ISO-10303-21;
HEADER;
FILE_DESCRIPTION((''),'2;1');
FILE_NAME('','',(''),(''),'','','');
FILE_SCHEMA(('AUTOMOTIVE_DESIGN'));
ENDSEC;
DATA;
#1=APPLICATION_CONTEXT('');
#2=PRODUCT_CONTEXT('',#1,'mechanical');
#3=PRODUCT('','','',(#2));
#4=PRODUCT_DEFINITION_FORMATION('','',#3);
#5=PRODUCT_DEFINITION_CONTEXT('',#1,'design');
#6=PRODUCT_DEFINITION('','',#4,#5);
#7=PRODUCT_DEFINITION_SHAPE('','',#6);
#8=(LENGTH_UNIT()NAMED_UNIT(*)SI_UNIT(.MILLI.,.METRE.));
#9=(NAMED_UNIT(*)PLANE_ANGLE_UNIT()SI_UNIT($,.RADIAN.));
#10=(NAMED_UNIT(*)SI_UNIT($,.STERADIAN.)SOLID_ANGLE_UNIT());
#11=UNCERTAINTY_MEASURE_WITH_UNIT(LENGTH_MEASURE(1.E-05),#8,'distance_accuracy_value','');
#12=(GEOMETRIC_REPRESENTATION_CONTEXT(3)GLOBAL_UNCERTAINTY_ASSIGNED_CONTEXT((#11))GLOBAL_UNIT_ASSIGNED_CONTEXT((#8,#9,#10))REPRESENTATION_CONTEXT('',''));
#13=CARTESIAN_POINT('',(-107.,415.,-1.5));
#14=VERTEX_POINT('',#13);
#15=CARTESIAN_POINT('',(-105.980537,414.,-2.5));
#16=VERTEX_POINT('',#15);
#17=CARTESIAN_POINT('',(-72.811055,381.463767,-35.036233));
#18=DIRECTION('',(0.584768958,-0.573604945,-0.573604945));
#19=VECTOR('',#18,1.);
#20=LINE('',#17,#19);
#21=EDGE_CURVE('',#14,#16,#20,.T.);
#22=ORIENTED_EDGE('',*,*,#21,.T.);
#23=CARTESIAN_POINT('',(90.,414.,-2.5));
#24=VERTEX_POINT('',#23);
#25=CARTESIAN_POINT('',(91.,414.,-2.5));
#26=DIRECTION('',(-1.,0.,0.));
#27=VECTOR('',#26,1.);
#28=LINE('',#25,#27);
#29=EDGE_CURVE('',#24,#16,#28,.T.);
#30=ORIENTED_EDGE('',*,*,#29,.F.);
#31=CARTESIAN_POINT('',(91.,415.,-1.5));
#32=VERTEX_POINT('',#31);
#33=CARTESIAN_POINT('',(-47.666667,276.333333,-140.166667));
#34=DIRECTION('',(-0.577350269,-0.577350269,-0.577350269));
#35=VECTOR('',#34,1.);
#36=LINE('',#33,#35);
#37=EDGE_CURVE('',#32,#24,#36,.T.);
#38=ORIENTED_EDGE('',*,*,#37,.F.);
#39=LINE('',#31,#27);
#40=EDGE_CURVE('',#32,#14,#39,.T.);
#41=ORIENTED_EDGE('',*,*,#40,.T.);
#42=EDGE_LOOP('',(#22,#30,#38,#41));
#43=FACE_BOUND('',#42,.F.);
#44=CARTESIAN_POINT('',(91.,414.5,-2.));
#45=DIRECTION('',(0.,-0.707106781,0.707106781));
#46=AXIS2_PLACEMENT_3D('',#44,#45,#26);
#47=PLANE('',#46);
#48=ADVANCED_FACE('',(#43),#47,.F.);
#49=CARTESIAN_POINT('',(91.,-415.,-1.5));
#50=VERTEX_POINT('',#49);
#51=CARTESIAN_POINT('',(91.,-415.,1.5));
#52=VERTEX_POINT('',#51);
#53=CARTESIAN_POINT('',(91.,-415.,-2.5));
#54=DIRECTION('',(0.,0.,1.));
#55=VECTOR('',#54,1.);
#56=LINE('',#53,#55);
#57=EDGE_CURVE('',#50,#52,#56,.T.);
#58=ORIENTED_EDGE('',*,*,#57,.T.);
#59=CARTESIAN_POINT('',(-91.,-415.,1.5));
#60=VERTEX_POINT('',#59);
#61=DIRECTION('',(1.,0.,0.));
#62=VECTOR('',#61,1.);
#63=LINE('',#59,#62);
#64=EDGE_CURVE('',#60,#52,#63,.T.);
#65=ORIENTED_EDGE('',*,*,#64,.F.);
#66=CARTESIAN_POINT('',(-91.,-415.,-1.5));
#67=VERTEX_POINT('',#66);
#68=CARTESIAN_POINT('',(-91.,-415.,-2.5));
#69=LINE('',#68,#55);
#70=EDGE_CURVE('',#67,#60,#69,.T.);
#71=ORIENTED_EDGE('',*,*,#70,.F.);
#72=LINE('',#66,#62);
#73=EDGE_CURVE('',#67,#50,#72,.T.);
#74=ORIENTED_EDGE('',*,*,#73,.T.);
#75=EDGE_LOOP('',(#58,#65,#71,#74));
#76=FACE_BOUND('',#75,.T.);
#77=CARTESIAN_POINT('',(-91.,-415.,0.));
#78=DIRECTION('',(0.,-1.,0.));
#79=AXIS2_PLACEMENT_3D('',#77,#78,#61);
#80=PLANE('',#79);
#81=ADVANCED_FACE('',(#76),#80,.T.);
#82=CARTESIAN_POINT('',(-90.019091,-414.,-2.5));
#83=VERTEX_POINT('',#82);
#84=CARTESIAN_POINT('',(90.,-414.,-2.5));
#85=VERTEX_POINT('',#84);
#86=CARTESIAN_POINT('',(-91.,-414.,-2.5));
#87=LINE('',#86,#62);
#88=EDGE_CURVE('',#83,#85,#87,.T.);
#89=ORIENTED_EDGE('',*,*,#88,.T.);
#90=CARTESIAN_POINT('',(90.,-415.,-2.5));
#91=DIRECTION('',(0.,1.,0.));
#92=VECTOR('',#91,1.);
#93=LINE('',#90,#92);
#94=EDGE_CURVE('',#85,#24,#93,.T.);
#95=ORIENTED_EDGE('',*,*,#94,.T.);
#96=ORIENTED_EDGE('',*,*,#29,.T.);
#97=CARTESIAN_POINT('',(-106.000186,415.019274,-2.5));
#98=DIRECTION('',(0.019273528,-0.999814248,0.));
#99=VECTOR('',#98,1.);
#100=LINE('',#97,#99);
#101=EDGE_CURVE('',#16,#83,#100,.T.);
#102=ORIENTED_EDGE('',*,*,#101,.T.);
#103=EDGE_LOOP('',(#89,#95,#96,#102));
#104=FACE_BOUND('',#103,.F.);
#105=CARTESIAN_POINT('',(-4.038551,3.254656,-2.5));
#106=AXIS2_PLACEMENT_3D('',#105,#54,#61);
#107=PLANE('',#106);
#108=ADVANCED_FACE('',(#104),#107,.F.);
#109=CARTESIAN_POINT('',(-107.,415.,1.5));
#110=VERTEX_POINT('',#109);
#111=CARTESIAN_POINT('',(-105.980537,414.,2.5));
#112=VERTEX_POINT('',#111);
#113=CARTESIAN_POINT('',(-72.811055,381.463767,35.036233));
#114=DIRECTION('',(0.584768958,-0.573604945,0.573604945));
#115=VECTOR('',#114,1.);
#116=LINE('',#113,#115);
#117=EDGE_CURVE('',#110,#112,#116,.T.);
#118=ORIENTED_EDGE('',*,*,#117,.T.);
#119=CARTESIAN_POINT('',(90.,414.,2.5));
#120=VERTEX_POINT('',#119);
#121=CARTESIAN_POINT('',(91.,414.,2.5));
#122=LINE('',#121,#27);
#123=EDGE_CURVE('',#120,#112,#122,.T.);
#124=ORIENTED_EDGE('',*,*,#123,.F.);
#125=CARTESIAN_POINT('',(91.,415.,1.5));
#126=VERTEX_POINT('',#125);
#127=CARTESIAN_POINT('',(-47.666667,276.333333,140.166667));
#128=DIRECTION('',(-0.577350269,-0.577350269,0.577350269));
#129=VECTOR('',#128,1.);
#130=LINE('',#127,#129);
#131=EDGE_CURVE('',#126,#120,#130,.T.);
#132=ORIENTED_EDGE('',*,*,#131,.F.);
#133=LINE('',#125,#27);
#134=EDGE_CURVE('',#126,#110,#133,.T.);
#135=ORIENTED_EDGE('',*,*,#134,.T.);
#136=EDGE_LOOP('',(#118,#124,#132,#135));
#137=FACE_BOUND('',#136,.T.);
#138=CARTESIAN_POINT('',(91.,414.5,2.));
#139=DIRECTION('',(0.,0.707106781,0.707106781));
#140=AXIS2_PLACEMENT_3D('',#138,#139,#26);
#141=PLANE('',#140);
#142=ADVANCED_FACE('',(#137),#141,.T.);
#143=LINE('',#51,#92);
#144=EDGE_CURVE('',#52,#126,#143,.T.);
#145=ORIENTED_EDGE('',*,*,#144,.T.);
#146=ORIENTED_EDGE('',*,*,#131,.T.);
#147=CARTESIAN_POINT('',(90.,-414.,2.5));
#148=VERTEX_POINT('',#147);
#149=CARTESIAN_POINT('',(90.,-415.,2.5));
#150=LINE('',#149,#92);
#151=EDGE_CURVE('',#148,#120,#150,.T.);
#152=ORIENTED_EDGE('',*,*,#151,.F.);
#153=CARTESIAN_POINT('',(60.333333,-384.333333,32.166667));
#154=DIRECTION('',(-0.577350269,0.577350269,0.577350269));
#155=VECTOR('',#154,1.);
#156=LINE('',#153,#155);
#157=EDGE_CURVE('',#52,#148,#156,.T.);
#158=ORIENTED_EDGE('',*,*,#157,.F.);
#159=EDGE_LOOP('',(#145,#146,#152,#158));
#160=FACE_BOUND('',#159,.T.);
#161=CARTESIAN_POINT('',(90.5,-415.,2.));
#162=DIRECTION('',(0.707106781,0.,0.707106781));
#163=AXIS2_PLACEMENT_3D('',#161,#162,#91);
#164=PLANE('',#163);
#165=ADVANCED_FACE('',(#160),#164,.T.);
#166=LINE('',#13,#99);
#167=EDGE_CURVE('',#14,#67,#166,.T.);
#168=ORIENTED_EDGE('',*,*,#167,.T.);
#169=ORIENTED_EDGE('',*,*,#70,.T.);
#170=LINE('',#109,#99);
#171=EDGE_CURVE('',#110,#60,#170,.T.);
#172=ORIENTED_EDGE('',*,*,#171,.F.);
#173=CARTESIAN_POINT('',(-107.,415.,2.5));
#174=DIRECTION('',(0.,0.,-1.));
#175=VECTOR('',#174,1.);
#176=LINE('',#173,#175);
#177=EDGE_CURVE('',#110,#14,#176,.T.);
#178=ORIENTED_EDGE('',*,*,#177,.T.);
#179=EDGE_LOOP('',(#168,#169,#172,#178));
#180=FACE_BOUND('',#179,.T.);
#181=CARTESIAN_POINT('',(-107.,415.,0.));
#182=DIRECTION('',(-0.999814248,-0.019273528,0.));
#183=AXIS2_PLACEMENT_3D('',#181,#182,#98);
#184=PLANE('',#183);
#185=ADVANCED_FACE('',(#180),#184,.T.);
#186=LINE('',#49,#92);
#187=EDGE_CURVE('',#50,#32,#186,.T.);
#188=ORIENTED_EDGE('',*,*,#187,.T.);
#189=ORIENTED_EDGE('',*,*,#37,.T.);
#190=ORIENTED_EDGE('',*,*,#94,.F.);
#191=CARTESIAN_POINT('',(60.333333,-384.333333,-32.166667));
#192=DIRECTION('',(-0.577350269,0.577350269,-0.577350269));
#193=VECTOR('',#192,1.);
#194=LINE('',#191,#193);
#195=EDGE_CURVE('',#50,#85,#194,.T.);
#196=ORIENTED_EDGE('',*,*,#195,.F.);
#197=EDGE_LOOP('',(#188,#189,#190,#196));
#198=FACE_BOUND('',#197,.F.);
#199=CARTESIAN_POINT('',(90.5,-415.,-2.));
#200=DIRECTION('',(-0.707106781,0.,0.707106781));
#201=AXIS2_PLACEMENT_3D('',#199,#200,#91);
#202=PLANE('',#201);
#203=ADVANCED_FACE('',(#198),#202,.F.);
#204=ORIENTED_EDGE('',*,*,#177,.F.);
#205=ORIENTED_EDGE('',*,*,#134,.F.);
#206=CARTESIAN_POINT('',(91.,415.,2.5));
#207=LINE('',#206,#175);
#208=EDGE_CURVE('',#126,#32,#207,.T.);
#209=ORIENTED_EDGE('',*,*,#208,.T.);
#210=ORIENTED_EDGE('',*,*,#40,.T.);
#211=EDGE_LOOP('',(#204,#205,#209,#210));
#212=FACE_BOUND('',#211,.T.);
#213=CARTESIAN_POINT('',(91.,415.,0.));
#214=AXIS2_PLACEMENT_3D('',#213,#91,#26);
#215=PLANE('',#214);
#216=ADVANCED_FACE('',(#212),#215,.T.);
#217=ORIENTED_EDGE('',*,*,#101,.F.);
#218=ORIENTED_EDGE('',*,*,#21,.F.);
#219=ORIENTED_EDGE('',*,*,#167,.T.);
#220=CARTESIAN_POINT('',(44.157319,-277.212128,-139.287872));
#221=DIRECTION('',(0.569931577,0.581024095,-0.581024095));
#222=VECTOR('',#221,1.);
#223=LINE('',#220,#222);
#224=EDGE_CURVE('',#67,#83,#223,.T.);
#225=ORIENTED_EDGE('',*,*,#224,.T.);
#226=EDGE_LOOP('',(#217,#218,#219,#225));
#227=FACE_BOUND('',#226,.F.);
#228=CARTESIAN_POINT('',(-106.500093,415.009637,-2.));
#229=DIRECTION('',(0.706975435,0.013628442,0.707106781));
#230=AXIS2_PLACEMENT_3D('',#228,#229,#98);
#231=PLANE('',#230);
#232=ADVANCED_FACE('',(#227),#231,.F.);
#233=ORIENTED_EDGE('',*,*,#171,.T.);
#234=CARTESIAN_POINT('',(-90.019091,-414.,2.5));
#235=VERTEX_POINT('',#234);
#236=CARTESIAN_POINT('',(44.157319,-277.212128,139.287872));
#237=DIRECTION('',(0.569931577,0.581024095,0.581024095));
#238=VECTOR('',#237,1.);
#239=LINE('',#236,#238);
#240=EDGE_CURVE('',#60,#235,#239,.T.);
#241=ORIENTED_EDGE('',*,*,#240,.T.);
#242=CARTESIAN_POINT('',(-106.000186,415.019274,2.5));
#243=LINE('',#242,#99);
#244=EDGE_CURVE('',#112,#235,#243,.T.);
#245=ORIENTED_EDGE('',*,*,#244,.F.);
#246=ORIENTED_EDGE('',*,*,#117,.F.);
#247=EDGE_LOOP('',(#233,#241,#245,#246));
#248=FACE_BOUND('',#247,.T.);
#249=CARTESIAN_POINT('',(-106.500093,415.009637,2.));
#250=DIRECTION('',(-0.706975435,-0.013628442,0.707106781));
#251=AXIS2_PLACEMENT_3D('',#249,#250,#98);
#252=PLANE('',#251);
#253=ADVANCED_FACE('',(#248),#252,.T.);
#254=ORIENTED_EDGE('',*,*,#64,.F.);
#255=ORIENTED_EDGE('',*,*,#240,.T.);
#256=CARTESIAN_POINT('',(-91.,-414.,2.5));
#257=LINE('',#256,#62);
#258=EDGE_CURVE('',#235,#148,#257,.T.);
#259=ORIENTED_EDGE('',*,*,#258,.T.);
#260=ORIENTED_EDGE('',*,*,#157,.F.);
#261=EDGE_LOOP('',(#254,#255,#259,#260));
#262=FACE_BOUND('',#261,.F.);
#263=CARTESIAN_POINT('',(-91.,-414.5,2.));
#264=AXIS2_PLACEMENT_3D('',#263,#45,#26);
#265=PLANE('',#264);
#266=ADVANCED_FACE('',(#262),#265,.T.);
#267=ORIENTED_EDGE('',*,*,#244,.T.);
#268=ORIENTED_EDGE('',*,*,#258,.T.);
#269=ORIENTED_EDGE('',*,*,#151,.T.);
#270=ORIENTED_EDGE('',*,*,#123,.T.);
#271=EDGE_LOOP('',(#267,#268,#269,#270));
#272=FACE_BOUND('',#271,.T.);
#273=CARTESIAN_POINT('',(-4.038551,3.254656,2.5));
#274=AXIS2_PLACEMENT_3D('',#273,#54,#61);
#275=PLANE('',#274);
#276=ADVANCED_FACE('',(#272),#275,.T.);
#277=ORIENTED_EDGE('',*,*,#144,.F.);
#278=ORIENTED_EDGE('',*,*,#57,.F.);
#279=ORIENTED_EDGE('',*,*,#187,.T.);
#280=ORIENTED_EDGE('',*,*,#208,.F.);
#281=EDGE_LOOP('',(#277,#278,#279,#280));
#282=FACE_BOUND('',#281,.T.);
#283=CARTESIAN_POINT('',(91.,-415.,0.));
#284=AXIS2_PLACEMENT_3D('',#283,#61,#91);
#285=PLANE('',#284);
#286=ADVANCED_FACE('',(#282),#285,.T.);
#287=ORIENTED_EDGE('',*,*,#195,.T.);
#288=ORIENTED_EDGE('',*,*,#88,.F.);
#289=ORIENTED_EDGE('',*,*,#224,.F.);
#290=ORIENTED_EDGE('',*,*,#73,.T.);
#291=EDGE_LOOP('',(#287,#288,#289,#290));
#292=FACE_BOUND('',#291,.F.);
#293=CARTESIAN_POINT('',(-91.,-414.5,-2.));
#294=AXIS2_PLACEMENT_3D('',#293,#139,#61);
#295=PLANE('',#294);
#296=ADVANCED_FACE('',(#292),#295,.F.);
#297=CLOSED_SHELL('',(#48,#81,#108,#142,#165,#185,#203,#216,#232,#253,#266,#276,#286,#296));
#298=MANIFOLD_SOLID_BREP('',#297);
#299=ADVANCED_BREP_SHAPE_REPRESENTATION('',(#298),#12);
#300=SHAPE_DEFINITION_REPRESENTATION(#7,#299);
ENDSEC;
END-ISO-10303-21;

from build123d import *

# Parameters (mm, degrees)
F1_DEPTH = 2.5
F2_SIZE  = 1


with BuildPart() as f1:
    # F0 (on Top) → F1 (new body, symmetric)
    with BuildSketch(Plane.XY):
        Polygon((-107, 415), (-91, -415), (91, -415), (91, 415), align=None)
    extrude(amount=F1_DEPTH, both=True)

    # F2
    f2_edges = [f1.edges().sort_by_distance(p)[0] for p in [
        (-99, 0, 2.5),
        (-99, 0, -2.5),
        (-8, 415, 2.5),
        (-8, 415, -2.5),
        (91, 0, 2.5),
        (91, 0, -2.5),
        (0, -415, 2.5),
        (0, -415, -2.5),
    ]]
    chamfer(f2_edges, length=F2_SIZE)


solid = f1.part
